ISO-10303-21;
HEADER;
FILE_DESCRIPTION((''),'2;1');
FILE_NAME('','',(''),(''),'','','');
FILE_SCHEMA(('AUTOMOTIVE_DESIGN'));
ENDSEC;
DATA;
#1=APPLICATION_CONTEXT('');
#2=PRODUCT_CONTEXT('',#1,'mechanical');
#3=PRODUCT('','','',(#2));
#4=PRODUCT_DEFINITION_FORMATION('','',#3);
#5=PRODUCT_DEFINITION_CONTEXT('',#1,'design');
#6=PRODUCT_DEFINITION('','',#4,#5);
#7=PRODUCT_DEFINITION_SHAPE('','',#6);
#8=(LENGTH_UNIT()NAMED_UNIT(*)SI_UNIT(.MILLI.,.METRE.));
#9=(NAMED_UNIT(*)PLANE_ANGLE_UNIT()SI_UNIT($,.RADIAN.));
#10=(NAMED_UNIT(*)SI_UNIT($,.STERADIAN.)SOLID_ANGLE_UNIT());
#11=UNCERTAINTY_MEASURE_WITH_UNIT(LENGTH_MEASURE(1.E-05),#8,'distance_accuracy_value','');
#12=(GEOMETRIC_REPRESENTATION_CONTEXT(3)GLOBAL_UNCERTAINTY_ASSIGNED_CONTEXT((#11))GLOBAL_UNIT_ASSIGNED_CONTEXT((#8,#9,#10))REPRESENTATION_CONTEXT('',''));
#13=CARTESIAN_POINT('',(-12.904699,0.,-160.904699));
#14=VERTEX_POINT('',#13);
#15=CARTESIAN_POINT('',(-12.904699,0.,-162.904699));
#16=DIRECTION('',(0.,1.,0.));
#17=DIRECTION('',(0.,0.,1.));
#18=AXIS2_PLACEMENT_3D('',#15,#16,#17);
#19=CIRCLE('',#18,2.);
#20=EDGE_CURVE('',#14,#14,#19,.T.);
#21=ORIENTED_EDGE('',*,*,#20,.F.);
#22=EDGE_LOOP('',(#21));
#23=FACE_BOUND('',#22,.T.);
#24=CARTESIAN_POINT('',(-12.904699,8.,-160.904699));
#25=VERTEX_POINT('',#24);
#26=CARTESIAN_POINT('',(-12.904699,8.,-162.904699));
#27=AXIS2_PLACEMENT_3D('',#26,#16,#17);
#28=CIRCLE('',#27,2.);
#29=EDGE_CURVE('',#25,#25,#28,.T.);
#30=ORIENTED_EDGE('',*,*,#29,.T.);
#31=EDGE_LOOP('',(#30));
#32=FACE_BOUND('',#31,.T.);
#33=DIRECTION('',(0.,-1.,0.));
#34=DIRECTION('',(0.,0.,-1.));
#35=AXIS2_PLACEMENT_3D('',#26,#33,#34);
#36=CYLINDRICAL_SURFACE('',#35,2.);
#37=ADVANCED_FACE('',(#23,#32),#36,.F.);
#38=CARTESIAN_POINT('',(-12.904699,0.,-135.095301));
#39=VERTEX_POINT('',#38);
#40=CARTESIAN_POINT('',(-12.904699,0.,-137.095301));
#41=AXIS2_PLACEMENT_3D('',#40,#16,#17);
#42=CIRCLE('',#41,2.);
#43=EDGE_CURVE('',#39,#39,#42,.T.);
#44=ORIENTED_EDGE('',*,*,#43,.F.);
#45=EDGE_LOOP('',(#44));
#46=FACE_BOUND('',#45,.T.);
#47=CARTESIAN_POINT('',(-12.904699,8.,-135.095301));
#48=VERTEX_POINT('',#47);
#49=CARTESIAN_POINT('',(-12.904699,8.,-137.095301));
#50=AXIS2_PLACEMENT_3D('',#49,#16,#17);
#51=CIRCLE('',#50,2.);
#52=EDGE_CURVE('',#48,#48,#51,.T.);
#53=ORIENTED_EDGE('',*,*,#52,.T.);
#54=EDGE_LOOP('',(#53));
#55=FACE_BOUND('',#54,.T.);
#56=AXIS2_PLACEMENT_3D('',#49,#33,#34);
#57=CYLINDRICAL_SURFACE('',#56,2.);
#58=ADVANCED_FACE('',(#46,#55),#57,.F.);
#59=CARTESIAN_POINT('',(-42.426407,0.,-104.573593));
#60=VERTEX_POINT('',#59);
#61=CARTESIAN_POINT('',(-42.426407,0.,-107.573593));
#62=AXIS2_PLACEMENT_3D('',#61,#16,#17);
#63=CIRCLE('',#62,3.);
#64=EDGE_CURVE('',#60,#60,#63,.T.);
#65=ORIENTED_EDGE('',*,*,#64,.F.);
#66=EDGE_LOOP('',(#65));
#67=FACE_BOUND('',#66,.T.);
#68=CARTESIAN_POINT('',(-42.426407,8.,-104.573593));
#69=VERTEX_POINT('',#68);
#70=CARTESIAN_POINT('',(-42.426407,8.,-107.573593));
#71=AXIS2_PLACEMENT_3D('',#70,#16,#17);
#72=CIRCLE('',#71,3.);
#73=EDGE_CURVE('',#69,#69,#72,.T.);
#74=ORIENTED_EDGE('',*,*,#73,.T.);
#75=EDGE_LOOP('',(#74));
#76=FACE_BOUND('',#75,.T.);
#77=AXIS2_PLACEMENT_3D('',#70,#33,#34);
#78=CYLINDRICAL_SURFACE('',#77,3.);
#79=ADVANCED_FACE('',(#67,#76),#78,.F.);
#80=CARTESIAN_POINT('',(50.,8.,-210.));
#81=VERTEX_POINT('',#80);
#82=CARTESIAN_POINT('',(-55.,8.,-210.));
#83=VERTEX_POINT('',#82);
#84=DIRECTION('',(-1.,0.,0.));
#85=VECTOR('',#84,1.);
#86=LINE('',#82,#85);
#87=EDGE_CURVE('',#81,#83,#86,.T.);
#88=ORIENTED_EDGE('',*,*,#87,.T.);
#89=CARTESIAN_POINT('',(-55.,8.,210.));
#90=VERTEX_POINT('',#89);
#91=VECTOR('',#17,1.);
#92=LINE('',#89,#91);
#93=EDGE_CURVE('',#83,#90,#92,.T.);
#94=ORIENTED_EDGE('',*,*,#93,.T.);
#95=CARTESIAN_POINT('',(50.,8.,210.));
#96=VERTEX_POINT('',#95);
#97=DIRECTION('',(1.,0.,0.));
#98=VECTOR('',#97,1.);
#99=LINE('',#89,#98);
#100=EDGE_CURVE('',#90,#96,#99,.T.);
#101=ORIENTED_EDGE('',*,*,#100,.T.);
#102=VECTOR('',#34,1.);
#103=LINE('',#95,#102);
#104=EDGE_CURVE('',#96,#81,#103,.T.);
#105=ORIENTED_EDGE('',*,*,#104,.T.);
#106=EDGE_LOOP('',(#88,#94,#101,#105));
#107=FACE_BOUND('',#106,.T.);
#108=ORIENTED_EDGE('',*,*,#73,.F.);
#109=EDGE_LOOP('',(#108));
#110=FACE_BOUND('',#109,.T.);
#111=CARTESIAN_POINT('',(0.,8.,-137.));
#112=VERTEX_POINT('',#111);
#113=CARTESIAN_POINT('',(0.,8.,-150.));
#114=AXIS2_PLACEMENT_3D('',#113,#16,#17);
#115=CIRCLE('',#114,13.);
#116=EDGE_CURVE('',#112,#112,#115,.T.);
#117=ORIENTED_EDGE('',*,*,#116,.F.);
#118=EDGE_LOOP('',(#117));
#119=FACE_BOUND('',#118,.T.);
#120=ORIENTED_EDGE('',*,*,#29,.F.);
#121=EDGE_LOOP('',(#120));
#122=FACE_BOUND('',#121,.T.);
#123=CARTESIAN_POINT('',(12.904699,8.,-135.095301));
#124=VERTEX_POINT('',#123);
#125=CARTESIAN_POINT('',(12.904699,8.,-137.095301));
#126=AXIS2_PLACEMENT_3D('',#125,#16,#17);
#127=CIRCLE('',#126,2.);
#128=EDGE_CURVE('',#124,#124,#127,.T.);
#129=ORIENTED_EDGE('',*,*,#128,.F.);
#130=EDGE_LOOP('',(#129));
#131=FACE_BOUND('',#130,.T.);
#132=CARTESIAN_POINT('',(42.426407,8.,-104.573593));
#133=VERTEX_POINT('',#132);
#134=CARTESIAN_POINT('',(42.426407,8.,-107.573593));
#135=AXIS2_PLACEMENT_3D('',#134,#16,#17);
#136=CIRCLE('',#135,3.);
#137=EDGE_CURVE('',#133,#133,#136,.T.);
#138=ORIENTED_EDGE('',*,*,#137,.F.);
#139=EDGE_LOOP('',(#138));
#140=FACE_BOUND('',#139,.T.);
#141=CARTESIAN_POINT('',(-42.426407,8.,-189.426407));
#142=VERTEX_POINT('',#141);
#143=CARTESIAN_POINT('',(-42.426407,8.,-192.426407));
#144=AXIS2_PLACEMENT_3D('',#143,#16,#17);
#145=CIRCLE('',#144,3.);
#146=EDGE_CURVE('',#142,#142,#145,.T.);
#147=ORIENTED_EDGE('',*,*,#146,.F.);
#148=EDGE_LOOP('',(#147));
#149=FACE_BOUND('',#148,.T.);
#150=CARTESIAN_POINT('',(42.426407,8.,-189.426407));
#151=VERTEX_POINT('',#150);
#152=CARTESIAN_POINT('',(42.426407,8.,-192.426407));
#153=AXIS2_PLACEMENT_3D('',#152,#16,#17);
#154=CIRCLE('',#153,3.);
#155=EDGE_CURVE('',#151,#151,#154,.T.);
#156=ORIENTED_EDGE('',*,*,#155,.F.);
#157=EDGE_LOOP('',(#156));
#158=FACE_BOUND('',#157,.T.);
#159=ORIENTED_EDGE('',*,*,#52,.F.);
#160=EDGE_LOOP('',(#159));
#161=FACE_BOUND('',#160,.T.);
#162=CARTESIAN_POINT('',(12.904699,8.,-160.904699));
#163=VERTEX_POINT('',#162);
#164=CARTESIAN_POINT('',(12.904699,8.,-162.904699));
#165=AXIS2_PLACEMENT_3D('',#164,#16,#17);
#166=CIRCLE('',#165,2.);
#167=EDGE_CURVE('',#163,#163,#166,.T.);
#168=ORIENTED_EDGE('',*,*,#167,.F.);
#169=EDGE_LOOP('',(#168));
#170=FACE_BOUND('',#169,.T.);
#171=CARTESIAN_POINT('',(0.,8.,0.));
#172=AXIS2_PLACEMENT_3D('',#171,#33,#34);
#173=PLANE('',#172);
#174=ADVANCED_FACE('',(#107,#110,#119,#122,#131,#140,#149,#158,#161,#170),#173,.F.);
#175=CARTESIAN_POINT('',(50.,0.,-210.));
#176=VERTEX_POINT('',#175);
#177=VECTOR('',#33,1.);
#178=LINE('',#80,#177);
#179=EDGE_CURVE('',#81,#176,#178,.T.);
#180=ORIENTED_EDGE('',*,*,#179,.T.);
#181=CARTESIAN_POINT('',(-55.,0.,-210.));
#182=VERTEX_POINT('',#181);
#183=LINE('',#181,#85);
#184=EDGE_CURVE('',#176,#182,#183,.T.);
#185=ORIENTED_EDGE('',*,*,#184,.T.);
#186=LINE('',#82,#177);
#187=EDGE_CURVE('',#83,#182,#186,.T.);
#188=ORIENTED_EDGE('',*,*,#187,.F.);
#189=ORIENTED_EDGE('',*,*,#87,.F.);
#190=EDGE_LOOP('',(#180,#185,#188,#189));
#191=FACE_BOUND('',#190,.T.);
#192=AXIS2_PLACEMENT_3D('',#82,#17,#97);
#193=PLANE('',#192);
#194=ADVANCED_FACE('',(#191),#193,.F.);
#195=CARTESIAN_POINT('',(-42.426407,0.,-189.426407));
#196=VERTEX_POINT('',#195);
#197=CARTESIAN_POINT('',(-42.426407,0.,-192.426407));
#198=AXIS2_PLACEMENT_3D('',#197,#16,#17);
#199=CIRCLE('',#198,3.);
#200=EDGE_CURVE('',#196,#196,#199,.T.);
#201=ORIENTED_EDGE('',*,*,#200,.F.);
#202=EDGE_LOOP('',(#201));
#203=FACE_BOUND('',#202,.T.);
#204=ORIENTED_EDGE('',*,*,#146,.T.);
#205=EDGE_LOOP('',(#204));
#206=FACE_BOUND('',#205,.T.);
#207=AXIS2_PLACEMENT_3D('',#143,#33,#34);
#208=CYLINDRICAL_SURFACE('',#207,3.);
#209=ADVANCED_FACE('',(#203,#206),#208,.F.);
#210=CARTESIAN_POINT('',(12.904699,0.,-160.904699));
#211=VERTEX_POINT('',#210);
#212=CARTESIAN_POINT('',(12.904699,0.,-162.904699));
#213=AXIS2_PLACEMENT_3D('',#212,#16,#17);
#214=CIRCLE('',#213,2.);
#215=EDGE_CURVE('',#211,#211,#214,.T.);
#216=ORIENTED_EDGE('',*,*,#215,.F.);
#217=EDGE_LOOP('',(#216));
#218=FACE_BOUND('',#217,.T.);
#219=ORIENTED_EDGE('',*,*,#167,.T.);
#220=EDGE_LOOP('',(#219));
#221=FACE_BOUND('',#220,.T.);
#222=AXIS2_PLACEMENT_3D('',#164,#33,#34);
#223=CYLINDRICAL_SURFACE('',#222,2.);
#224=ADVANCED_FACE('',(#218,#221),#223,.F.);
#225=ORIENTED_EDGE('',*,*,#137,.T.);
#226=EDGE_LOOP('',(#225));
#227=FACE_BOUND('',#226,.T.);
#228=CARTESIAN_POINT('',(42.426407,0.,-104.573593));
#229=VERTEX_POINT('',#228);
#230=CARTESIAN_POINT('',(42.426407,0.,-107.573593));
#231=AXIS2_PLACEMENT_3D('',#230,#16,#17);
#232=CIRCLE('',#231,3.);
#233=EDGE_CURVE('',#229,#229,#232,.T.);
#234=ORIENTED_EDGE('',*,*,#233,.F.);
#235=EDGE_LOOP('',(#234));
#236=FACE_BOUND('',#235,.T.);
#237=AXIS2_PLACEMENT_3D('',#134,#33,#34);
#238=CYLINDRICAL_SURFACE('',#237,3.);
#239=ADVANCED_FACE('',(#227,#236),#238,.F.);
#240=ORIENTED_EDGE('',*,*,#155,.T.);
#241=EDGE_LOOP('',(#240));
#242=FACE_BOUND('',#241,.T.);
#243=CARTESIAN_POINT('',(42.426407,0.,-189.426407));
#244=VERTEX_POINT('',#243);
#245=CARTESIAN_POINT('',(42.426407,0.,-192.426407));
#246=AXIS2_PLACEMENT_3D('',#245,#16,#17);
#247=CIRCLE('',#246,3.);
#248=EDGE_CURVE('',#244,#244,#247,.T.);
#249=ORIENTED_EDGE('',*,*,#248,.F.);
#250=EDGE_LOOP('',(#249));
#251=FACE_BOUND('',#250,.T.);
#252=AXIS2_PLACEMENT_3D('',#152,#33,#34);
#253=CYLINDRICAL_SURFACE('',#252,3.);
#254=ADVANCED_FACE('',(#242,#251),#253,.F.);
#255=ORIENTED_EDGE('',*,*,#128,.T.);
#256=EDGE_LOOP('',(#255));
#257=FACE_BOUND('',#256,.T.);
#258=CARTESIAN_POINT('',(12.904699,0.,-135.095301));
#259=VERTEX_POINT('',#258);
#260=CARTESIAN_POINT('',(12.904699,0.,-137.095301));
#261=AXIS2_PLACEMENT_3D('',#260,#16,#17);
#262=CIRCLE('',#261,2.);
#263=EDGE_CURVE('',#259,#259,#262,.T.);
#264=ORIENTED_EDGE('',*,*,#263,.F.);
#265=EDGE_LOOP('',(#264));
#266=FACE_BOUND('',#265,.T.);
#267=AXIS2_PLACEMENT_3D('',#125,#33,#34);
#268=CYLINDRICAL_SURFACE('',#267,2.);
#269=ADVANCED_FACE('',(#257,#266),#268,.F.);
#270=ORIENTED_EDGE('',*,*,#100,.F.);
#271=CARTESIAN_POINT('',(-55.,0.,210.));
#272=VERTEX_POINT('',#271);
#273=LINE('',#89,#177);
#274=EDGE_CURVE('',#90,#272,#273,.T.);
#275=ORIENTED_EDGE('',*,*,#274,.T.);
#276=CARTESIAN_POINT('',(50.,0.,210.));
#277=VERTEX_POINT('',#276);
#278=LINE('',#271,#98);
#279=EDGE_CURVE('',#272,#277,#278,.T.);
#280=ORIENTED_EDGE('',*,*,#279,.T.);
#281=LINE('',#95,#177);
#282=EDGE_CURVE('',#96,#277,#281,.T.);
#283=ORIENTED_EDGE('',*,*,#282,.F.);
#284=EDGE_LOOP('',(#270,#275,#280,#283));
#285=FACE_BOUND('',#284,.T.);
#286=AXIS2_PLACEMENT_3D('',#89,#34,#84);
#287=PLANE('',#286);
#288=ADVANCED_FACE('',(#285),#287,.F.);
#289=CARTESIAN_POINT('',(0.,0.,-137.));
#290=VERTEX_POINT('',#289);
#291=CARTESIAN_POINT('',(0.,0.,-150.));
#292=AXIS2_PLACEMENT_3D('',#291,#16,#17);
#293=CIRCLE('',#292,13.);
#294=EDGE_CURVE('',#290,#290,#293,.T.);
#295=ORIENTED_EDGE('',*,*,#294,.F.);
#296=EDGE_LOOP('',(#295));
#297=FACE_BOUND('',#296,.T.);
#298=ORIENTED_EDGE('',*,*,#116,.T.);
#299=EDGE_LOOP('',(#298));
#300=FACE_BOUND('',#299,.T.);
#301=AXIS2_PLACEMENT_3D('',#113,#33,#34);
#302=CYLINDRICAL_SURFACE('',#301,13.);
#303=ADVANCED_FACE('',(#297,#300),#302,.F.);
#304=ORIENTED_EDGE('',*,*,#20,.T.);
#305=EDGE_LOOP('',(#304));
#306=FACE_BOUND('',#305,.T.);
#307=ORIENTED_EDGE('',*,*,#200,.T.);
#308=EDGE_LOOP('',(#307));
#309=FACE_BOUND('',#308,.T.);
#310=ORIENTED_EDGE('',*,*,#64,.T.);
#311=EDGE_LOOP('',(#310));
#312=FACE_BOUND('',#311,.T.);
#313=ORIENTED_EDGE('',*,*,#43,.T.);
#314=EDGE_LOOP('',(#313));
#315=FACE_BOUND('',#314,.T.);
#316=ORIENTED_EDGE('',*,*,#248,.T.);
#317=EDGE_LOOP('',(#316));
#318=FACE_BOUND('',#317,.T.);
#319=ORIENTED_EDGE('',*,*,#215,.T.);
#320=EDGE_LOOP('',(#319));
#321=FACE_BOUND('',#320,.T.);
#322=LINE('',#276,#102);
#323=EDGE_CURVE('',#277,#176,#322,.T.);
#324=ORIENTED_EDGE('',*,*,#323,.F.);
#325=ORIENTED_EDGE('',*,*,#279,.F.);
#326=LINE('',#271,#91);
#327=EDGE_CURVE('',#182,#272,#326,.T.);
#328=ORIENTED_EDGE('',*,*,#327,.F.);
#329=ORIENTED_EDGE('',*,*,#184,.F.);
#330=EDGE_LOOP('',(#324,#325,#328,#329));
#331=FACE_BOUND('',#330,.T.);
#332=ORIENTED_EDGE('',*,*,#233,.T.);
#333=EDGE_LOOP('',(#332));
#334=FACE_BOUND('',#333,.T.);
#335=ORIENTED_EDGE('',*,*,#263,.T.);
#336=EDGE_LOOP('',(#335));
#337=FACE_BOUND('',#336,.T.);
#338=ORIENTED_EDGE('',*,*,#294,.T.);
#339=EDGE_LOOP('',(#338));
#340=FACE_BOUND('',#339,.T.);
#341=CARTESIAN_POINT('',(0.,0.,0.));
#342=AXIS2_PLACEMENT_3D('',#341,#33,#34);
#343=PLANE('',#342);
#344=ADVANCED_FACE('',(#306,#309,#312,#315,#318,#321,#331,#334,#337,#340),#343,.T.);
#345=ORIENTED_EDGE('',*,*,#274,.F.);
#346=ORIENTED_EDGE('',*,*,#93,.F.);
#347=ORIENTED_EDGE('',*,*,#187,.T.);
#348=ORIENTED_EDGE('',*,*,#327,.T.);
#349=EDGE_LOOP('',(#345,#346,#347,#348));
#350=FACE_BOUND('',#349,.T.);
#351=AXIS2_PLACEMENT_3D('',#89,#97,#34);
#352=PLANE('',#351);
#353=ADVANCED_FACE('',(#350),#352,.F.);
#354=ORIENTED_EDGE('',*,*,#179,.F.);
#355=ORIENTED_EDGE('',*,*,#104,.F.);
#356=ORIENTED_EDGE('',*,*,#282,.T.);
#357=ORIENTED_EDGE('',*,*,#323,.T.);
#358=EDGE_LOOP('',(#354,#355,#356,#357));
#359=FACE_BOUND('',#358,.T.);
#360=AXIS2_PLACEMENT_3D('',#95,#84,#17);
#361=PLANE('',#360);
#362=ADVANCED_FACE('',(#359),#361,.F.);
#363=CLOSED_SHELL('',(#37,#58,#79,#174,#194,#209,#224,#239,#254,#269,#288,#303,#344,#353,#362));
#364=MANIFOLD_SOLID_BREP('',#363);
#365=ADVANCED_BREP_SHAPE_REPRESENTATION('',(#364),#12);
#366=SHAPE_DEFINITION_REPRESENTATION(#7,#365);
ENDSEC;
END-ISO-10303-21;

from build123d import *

# Parameters (mm, degrees)
SKETCH1_W           = 105
SKETCH1_H           = 420
SKETCH1_R           = 13
SKETCH1_R_2         = 3
SKETCH1_R_3         = 2
BOSS_EXTRUDE1_DEPTH = 8


with BuildPart() as part:
    # Sketch1 → Boss-Extrude1 (new body)
    with BuildSketch(Plane(origin=(0, 0, 0), x_dir=(1, 0, 0), z_dir=(0, 1, 0))):
        with Locations((-2.5, 0)):
            Rectangle(SKETCH1_W, SKETCH1_H)
        with Locations(Location((0, 150, 0), (0, 0, 270))):
            Circle(SKETCH1_R, mode=Mode.SUBTRACT)
        with Locations(Location((-42.426406871, 107.573593129, 0), (0, 0, 270))):
            Circle(SKETCH1_R_2, mode=Mode.SUBTRACT)
        with Locations(Location((-42.426406871, 192.426406871, 0), (0, 0, 270))):
            Circle(SKETCH1_R_2, mode=Mode.SUBTRACT)
        with Locations(Location((42.426406871, 192.426406871, 0), (0, 0, 270))):
            Circle(SKETCH1_R_2, mode=Mode.SUBTRACT)
        with Locations(Location((42.426406871, 107.573593129, 0), (0, 0, 270))):
            Circle(SKETCH1_R_2, mode=Mode.SUBTRACT)
        with Locations(Location((-12.904698757, 137.095301243, 0), (0, 0, 270))):
            Circle(SKETCH1_R_3, mode=Mode.SUBTRACT)
        with Locations(Location((-12.904698757, 162.904698757, 0), (0, 0, 270))):
            Circle(SKETCH1_R_3, mode=Mode.SUBTRACT)
        with Locations(Location((12.904698757, 162.904698757, 0), (0, 0, 270))):
            Circle(SKETCH1_R_3, mode=Mode.SUBTRACT)
        with Locations(Location((12.904698757, 137.095301243, 0), (0, 0, 270))):
            Circle(SKETCH1_R_3, mode=Mode.SUBTRACT)
    extrude(amount=BOSS_EXTRUDE1_DEPTH)


solid = part.part
